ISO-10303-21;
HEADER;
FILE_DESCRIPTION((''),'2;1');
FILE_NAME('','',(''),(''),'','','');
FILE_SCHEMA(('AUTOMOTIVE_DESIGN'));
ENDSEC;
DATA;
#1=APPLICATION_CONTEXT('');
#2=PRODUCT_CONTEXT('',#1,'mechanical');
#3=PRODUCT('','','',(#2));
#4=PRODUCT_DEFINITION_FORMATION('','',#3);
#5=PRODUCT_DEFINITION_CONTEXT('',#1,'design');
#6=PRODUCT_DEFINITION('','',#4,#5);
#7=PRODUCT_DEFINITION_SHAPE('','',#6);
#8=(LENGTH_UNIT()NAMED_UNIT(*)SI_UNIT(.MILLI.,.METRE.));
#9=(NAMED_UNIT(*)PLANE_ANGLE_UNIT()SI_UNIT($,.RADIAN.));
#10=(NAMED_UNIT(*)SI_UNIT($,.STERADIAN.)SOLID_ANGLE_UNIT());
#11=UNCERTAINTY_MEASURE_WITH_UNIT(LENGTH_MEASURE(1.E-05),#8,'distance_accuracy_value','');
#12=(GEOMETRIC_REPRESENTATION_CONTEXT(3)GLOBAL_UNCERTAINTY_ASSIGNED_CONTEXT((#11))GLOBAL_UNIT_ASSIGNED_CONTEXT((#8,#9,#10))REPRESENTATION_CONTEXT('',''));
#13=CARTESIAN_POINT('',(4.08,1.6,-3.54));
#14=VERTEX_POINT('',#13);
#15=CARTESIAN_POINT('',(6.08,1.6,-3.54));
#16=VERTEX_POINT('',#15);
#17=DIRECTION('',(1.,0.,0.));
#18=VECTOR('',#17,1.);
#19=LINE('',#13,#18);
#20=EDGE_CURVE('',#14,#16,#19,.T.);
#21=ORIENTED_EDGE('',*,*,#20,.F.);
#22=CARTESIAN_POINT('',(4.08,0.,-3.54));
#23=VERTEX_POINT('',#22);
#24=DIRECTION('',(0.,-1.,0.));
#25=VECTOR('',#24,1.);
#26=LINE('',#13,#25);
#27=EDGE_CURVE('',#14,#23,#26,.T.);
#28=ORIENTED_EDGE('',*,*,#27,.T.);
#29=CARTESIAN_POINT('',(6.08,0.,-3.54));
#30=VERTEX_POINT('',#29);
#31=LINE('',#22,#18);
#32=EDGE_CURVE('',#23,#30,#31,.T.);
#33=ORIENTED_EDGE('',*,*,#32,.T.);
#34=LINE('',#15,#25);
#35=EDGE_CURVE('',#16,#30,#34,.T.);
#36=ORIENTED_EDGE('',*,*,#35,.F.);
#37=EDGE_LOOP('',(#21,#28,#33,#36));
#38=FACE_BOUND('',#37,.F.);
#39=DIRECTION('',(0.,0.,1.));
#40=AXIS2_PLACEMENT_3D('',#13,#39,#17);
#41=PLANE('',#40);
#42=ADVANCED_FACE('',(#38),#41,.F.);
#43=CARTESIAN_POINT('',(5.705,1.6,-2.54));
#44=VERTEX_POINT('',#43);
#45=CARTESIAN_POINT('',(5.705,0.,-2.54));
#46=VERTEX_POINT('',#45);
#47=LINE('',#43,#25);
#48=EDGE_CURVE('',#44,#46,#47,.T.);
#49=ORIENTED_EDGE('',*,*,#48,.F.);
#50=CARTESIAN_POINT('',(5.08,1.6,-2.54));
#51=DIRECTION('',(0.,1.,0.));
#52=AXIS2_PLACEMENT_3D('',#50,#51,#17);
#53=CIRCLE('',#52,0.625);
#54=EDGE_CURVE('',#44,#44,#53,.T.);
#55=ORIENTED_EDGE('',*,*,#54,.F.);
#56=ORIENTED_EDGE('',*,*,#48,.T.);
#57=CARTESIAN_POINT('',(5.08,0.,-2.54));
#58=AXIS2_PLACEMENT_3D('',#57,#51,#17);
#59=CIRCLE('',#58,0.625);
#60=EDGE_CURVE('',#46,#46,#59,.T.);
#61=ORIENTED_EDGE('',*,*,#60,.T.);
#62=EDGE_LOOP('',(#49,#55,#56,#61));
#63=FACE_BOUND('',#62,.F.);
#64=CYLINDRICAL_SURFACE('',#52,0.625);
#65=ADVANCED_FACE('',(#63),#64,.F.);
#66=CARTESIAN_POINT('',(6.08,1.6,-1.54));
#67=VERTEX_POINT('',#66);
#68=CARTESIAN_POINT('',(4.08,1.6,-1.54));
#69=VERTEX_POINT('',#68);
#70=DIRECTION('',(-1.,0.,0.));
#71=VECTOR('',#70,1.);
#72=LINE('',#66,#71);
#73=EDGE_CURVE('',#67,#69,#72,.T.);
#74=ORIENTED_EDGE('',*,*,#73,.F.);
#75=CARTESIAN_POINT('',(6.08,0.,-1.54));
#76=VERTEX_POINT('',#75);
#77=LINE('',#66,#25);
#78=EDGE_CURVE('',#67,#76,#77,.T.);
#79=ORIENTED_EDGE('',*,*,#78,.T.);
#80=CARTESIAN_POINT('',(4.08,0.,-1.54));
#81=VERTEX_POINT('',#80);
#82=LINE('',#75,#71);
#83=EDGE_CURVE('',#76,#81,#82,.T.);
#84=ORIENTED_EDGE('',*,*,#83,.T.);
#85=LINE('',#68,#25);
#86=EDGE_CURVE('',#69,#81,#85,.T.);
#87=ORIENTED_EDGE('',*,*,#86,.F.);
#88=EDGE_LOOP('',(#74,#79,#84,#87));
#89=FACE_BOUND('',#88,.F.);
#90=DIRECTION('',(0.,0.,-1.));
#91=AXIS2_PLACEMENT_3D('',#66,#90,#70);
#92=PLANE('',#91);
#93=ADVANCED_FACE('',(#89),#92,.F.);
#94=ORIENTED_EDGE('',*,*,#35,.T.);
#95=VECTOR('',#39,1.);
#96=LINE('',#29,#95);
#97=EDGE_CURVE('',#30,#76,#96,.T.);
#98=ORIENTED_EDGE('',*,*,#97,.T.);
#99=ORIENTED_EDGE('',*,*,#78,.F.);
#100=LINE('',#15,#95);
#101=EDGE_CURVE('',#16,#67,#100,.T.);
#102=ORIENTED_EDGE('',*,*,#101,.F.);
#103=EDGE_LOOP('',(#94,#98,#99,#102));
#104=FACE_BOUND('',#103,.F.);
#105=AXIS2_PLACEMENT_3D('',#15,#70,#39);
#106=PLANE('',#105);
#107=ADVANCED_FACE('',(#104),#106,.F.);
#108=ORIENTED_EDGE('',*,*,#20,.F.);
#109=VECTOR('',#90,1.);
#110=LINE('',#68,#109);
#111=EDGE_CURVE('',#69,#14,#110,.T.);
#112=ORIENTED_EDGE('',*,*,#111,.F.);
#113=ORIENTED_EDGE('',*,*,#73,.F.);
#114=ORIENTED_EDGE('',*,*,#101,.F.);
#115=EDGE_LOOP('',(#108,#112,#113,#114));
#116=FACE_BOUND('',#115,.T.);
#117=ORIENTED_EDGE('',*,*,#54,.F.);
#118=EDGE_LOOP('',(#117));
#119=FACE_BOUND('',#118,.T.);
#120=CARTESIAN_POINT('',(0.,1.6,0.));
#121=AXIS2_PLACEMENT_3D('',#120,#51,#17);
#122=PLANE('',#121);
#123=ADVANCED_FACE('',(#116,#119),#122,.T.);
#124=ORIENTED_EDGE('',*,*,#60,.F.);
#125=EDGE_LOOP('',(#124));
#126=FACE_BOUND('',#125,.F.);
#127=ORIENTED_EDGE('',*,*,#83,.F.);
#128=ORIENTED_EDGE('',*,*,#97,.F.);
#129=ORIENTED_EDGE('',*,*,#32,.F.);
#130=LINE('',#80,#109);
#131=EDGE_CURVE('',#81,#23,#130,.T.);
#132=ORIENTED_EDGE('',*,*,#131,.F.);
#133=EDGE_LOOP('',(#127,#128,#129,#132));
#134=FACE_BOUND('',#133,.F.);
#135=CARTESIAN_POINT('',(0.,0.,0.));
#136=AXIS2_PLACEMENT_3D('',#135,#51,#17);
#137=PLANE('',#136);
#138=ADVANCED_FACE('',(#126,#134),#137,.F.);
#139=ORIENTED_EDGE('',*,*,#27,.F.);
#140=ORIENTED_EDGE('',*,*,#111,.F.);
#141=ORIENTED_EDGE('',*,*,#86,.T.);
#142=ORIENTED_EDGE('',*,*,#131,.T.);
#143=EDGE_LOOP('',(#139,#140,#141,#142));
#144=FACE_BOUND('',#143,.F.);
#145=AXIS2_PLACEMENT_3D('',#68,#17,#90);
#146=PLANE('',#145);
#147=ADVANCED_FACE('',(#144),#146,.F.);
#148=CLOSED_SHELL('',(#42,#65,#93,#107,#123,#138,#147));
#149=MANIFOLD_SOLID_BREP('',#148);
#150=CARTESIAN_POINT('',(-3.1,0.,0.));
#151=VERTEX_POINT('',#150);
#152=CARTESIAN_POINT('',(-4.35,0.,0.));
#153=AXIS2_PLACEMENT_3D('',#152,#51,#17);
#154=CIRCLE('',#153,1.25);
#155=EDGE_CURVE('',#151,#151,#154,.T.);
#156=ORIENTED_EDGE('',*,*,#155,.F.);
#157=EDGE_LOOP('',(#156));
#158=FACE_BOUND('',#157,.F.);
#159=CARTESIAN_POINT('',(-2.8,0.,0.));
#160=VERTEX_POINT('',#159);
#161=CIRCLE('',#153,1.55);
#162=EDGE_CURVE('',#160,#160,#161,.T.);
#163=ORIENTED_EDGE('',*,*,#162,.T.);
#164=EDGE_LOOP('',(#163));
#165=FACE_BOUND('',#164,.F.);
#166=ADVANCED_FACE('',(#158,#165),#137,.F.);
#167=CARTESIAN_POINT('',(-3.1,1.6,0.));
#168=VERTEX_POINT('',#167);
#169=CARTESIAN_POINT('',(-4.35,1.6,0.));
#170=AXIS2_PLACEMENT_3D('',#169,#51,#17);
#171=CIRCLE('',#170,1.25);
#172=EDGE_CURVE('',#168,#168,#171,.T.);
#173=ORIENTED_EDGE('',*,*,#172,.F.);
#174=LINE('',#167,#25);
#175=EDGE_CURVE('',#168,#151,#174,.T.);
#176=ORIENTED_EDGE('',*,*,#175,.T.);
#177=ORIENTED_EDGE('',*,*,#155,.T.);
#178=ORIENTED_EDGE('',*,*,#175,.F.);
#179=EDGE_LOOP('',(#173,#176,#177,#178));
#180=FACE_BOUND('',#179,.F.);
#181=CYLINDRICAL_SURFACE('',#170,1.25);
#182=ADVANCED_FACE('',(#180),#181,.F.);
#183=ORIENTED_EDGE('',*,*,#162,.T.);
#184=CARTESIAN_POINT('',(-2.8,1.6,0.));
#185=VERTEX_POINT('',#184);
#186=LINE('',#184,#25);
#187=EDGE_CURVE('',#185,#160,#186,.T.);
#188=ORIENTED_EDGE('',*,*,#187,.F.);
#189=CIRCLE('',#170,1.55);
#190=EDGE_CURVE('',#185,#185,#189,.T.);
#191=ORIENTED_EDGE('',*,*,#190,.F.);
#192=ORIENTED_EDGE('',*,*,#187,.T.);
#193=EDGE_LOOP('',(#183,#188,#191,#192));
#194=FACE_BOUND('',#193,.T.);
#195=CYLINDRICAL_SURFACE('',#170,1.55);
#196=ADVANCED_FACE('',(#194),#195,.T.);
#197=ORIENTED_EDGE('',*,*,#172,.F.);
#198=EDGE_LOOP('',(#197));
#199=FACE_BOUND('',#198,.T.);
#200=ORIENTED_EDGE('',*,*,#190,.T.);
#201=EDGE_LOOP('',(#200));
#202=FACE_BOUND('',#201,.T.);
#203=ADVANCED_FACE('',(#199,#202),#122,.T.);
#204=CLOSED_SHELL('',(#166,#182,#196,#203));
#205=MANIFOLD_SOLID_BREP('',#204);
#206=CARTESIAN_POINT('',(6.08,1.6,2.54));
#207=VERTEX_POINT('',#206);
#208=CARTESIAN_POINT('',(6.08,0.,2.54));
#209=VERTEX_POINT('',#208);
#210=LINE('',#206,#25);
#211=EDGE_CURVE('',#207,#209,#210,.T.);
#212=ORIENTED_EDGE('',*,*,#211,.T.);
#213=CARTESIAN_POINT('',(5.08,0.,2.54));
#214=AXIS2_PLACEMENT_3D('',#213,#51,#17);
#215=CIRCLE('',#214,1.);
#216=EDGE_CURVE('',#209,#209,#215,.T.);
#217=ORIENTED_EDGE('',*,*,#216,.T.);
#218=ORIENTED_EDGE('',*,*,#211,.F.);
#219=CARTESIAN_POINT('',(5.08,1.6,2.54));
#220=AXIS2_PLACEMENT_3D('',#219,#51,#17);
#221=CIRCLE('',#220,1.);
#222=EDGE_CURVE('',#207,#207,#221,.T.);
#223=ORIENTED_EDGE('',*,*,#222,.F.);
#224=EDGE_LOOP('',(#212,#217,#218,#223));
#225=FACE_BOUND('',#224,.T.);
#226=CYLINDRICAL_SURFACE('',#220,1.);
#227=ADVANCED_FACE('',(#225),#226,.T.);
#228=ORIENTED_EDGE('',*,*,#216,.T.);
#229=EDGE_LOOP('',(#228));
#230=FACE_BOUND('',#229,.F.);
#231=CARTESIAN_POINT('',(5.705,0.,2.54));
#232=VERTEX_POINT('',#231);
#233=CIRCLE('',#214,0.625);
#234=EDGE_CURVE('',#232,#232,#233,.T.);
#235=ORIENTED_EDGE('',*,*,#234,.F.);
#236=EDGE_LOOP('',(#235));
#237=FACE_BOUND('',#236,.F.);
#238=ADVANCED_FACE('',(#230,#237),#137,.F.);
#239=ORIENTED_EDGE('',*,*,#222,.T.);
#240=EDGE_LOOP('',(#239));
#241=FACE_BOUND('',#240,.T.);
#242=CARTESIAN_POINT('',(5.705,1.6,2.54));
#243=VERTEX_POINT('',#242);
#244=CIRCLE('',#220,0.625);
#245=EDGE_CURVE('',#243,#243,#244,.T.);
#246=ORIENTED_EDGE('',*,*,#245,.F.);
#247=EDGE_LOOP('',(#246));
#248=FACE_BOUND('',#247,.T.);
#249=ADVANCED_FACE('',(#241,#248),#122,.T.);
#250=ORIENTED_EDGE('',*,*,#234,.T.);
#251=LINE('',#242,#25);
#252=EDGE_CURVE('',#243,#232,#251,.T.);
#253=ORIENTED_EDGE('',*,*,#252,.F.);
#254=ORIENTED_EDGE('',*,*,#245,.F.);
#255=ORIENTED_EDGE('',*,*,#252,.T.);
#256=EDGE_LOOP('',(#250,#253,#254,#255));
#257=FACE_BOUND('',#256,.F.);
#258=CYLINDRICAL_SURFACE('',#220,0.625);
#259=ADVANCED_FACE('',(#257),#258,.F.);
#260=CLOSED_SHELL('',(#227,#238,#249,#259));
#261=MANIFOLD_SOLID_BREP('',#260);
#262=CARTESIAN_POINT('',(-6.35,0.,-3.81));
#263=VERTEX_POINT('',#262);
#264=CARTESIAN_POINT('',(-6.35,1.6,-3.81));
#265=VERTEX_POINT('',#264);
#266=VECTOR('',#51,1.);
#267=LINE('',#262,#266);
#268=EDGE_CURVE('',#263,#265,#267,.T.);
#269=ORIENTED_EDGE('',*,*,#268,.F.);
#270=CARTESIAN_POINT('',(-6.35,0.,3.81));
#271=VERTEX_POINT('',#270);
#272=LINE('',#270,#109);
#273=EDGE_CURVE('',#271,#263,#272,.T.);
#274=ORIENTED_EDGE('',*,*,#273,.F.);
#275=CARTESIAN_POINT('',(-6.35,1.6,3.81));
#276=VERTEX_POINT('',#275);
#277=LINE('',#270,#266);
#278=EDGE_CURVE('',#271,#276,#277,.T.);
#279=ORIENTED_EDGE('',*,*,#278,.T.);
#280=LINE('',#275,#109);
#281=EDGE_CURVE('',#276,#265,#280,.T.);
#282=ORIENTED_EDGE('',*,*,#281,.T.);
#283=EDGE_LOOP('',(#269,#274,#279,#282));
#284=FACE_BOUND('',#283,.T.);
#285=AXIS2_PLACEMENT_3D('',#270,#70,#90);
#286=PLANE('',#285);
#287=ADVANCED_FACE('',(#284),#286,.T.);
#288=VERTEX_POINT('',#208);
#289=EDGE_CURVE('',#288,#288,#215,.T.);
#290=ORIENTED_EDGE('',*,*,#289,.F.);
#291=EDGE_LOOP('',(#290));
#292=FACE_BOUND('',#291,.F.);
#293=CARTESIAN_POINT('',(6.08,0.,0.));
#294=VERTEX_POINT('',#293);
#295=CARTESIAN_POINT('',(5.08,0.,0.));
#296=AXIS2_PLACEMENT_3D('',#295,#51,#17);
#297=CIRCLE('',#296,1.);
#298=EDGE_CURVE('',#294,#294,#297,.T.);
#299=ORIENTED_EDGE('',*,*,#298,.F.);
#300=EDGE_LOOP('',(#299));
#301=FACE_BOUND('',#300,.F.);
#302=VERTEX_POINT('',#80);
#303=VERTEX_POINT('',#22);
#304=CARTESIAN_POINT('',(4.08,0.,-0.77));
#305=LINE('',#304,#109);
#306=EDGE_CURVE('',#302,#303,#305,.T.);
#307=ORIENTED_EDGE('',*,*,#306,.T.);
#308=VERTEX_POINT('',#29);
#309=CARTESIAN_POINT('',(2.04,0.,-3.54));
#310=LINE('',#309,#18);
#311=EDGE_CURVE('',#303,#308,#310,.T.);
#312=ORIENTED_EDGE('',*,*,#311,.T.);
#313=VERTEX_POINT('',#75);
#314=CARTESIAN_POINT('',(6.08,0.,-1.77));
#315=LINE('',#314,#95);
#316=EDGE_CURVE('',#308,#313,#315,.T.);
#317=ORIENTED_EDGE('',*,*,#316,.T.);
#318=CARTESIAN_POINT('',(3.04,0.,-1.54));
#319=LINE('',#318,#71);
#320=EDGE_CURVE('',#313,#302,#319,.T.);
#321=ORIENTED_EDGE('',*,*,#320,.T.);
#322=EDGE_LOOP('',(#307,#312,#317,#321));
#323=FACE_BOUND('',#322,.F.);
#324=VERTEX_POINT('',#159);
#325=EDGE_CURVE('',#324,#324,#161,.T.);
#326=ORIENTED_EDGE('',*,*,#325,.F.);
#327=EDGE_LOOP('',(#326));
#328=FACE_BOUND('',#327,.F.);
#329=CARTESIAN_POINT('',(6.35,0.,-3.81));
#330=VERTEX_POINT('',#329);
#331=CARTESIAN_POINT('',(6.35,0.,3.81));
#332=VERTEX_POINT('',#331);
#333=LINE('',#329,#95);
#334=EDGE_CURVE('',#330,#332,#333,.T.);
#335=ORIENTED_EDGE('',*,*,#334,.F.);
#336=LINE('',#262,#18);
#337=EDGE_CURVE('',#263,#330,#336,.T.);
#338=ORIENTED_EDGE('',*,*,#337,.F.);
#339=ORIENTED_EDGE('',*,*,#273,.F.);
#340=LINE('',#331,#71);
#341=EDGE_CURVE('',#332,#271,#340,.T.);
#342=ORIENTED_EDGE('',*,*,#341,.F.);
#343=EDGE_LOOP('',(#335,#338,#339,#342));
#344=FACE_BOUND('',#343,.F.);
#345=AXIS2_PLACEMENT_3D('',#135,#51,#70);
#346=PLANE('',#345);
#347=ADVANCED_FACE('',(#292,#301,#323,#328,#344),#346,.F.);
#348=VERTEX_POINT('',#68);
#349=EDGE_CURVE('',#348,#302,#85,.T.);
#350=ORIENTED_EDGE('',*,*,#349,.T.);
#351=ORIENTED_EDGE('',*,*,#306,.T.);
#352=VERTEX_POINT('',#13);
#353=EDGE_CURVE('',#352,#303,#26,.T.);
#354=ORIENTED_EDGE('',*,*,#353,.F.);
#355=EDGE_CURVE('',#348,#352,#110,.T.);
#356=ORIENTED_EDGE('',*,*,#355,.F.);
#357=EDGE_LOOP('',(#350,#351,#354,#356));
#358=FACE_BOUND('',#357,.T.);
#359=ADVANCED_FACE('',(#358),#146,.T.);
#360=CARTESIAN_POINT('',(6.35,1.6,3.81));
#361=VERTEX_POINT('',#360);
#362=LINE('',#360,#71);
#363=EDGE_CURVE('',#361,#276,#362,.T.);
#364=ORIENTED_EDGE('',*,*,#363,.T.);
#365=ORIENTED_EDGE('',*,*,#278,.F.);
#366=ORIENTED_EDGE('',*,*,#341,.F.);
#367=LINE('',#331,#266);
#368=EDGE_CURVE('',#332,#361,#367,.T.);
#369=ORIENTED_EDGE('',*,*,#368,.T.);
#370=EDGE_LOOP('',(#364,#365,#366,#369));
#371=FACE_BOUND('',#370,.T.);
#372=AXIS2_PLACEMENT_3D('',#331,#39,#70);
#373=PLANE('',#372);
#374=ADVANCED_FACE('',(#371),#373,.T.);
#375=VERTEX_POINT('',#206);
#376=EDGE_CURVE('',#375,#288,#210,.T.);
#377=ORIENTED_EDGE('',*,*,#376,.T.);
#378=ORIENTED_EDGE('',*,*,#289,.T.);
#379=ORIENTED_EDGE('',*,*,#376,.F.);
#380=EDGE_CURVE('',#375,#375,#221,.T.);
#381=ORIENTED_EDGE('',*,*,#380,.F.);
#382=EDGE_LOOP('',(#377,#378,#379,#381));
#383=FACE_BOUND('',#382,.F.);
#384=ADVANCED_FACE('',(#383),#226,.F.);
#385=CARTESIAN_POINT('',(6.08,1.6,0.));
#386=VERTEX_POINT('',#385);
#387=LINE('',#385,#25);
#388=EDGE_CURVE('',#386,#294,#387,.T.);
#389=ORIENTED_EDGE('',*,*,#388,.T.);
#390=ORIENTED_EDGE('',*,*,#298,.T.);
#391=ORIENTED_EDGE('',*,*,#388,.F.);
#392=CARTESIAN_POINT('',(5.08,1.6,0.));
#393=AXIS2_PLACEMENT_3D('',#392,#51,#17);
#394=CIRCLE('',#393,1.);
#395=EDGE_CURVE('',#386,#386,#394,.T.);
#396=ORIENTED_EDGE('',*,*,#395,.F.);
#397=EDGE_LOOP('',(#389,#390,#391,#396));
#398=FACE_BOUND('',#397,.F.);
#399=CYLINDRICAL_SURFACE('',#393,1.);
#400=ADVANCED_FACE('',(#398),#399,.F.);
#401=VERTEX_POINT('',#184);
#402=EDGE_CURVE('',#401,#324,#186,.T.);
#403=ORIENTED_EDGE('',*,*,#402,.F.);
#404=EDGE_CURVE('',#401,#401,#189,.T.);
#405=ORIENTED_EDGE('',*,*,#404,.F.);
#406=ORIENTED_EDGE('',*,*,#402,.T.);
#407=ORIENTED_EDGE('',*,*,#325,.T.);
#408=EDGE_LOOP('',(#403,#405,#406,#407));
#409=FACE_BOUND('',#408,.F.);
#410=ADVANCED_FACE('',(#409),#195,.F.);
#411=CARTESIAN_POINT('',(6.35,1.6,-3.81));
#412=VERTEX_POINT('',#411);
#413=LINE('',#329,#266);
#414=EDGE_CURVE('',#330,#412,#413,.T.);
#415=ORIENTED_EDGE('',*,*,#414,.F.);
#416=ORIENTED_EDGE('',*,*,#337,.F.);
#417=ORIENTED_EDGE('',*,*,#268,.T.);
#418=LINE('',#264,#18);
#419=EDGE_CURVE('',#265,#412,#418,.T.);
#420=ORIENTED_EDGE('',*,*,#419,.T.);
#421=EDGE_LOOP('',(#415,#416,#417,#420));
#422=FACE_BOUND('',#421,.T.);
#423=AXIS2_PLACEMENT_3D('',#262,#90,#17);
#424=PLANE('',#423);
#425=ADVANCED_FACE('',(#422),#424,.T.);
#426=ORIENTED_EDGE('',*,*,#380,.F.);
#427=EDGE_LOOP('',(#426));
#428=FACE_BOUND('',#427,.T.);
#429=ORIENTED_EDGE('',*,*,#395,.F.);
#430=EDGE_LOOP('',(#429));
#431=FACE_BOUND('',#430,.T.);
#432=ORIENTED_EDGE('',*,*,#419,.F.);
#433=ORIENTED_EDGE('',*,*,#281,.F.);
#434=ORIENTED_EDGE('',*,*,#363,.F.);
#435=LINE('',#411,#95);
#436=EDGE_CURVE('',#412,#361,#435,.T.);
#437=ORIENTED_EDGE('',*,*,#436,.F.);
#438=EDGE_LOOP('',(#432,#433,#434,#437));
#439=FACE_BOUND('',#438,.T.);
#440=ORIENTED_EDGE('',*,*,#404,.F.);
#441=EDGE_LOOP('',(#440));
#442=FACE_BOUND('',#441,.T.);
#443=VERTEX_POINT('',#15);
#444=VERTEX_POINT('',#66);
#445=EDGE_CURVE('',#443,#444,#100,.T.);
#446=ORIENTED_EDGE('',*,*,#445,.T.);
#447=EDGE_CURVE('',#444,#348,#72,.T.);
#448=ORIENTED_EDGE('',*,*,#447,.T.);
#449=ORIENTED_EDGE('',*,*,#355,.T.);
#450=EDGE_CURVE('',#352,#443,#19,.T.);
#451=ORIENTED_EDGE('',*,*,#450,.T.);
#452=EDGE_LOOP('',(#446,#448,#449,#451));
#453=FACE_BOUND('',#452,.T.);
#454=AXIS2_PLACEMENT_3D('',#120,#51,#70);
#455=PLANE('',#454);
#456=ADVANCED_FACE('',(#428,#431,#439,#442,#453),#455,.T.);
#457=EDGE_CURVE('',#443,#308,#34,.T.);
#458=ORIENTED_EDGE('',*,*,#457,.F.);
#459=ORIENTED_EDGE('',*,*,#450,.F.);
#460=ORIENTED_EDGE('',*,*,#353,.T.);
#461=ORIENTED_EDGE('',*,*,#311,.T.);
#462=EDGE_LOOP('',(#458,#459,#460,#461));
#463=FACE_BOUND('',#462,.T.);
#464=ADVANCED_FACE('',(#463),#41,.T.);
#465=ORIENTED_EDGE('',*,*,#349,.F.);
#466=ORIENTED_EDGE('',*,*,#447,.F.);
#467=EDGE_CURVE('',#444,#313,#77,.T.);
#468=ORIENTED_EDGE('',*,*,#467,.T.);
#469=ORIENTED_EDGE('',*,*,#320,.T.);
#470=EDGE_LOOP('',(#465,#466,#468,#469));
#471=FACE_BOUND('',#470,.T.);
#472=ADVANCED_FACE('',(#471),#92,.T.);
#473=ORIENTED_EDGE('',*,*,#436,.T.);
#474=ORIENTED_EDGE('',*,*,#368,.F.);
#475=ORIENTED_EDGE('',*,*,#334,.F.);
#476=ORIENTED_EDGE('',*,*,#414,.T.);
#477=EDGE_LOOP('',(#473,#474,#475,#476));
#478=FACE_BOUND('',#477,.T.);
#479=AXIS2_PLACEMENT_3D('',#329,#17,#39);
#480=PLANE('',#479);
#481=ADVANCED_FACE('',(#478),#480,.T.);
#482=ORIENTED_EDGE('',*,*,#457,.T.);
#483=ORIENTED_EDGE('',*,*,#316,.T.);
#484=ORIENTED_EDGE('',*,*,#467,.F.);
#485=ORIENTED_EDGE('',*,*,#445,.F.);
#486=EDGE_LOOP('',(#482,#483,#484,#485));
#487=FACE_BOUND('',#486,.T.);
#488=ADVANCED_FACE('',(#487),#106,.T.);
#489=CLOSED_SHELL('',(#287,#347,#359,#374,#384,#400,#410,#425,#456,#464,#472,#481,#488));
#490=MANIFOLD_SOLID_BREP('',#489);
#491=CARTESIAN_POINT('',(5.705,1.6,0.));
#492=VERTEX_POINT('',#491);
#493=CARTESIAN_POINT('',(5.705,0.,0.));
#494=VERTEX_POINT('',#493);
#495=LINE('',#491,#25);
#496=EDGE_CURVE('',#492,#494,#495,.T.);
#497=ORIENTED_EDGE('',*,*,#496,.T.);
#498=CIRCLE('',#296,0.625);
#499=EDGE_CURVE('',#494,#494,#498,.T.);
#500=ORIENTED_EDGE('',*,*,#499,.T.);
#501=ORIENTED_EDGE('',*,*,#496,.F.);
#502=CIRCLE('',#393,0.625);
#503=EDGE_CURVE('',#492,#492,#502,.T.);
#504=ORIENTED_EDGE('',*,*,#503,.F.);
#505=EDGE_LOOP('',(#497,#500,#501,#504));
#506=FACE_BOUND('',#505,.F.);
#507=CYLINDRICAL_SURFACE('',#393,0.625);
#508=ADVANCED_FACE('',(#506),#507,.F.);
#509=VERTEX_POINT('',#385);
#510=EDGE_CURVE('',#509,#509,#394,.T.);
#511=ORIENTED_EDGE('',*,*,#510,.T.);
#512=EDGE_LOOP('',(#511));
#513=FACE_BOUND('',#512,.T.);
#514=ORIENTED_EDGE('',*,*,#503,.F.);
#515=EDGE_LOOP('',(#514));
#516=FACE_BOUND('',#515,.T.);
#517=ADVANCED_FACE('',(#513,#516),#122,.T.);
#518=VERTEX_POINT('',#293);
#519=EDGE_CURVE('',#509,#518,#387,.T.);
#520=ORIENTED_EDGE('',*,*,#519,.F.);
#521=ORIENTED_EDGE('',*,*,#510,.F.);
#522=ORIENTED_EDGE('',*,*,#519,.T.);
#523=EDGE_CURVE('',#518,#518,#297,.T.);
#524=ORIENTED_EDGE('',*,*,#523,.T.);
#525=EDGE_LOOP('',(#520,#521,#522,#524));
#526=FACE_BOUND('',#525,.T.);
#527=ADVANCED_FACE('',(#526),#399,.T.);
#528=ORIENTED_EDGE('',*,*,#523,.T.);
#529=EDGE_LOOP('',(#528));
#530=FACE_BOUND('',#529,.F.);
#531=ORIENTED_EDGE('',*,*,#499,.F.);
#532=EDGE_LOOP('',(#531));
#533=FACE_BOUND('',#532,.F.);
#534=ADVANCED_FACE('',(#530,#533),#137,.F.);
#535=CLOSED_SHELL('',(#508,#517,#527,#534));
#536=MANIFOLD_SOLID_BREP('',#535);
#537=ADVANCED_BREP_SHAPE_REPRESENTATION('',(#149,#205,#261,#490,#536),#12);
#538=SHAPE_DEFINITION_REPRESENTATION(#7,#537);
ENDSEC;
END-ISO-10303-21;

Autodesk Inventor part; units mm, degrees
ref_plane "YZ Plane" through (0, 0, 0) normal (1, 0, 0) x (0, 1, 0)
ref_plane "XZ Plane" through (0, 0, 0) normal (0, 1, 0) x (-1, 0, 0)
ref_plane "XY Plane" through (0, 0, 0) normal (0, 0, 1) x (1, 0, 0)
sketch "Sketch1" plane through (0, 0, 0) normal (0, 1, 0) x (-1, 0, 0)
  line L0 (-6.35, 3.81) -> (6.35, 3.81)
  line L1 (6.35, 3.81) -> (6.35, -3.81)
  line L2 (6.35, -3.81) -> (-6.35, -3.81)
  line L3 (-6.35, -3.81) -> (-6.35, 3.81)
  line L4 (-6.35, 3.81) -> (6.35, -3.81) construction
  line L5 (6.35, 3.81) -> (-6.35, -3.81) construction
  point P0 (0, 0)
  dimension "d0" = 12.7
  dimension "d1" = 7.62
extrude "Extrusion1" add sketch "Sketch1" along normal blind 1.6
sketch "Sketch2" plane through (0, 1.6, 0) normal (0, 1, 0) x (1, 0, 0)
  circle A0 centre (-4.35, 0) radius 1.25
  circle A1 centre (-4.35, 0) radius 1.55
  circle A2 centre (5.08, 2.54) radius 0.625
  line L0 (4.08, 3.54) -> (6.08, 3.54)
  line L1 (6.08, 3.54) -> (6.08, 1.54)
  line L2 (6.08, 1.54) -> (4.08, 1.54)
  line L3 (4.08, 1.54) -> (4.08, 3.54)
  line L4 (4.08, 3.54) -> (6.08, 1.54) construction
  line L5 (6.08, 3.54) -> (4.08, 1.54) construction
  circle A3 centre (5.08, 0) radius 0.625
  circle A4 centre (5.08, 0) radius 1
  circle A5 centre (5.08, -2.54) radius 0.625
  circle A6 centre (5.08, -2.54) radius 1
  line L6 (0, 0) -> (2.2698, 0)
  line L7 (6.35, -3.81) -> (6.35, 3.81) projected
  line L8 (-6.35, 3.81) -> (-6.35, -3.81) projected
  dimension "d4" = 2.5
  dimension "d5" = 0.3
  dimension "d7" = 2
  dimension "d8" = 2.54
  dimension "d9" = 1.27
  dimension "d10" = 1.25
  dimension "d15" = 2
extrude "Extrusion2" cut sketch "Sketch2" against normal through all contours A0 | A1 | A2 | L0 L1 L2 L3 | A3 | A4 | A5 | A6
extrude "Extrusion3" add sketch "Sketch2" against normal up to surface (1.6 mm away) separate body
properties part number "QTR1A_Board"
